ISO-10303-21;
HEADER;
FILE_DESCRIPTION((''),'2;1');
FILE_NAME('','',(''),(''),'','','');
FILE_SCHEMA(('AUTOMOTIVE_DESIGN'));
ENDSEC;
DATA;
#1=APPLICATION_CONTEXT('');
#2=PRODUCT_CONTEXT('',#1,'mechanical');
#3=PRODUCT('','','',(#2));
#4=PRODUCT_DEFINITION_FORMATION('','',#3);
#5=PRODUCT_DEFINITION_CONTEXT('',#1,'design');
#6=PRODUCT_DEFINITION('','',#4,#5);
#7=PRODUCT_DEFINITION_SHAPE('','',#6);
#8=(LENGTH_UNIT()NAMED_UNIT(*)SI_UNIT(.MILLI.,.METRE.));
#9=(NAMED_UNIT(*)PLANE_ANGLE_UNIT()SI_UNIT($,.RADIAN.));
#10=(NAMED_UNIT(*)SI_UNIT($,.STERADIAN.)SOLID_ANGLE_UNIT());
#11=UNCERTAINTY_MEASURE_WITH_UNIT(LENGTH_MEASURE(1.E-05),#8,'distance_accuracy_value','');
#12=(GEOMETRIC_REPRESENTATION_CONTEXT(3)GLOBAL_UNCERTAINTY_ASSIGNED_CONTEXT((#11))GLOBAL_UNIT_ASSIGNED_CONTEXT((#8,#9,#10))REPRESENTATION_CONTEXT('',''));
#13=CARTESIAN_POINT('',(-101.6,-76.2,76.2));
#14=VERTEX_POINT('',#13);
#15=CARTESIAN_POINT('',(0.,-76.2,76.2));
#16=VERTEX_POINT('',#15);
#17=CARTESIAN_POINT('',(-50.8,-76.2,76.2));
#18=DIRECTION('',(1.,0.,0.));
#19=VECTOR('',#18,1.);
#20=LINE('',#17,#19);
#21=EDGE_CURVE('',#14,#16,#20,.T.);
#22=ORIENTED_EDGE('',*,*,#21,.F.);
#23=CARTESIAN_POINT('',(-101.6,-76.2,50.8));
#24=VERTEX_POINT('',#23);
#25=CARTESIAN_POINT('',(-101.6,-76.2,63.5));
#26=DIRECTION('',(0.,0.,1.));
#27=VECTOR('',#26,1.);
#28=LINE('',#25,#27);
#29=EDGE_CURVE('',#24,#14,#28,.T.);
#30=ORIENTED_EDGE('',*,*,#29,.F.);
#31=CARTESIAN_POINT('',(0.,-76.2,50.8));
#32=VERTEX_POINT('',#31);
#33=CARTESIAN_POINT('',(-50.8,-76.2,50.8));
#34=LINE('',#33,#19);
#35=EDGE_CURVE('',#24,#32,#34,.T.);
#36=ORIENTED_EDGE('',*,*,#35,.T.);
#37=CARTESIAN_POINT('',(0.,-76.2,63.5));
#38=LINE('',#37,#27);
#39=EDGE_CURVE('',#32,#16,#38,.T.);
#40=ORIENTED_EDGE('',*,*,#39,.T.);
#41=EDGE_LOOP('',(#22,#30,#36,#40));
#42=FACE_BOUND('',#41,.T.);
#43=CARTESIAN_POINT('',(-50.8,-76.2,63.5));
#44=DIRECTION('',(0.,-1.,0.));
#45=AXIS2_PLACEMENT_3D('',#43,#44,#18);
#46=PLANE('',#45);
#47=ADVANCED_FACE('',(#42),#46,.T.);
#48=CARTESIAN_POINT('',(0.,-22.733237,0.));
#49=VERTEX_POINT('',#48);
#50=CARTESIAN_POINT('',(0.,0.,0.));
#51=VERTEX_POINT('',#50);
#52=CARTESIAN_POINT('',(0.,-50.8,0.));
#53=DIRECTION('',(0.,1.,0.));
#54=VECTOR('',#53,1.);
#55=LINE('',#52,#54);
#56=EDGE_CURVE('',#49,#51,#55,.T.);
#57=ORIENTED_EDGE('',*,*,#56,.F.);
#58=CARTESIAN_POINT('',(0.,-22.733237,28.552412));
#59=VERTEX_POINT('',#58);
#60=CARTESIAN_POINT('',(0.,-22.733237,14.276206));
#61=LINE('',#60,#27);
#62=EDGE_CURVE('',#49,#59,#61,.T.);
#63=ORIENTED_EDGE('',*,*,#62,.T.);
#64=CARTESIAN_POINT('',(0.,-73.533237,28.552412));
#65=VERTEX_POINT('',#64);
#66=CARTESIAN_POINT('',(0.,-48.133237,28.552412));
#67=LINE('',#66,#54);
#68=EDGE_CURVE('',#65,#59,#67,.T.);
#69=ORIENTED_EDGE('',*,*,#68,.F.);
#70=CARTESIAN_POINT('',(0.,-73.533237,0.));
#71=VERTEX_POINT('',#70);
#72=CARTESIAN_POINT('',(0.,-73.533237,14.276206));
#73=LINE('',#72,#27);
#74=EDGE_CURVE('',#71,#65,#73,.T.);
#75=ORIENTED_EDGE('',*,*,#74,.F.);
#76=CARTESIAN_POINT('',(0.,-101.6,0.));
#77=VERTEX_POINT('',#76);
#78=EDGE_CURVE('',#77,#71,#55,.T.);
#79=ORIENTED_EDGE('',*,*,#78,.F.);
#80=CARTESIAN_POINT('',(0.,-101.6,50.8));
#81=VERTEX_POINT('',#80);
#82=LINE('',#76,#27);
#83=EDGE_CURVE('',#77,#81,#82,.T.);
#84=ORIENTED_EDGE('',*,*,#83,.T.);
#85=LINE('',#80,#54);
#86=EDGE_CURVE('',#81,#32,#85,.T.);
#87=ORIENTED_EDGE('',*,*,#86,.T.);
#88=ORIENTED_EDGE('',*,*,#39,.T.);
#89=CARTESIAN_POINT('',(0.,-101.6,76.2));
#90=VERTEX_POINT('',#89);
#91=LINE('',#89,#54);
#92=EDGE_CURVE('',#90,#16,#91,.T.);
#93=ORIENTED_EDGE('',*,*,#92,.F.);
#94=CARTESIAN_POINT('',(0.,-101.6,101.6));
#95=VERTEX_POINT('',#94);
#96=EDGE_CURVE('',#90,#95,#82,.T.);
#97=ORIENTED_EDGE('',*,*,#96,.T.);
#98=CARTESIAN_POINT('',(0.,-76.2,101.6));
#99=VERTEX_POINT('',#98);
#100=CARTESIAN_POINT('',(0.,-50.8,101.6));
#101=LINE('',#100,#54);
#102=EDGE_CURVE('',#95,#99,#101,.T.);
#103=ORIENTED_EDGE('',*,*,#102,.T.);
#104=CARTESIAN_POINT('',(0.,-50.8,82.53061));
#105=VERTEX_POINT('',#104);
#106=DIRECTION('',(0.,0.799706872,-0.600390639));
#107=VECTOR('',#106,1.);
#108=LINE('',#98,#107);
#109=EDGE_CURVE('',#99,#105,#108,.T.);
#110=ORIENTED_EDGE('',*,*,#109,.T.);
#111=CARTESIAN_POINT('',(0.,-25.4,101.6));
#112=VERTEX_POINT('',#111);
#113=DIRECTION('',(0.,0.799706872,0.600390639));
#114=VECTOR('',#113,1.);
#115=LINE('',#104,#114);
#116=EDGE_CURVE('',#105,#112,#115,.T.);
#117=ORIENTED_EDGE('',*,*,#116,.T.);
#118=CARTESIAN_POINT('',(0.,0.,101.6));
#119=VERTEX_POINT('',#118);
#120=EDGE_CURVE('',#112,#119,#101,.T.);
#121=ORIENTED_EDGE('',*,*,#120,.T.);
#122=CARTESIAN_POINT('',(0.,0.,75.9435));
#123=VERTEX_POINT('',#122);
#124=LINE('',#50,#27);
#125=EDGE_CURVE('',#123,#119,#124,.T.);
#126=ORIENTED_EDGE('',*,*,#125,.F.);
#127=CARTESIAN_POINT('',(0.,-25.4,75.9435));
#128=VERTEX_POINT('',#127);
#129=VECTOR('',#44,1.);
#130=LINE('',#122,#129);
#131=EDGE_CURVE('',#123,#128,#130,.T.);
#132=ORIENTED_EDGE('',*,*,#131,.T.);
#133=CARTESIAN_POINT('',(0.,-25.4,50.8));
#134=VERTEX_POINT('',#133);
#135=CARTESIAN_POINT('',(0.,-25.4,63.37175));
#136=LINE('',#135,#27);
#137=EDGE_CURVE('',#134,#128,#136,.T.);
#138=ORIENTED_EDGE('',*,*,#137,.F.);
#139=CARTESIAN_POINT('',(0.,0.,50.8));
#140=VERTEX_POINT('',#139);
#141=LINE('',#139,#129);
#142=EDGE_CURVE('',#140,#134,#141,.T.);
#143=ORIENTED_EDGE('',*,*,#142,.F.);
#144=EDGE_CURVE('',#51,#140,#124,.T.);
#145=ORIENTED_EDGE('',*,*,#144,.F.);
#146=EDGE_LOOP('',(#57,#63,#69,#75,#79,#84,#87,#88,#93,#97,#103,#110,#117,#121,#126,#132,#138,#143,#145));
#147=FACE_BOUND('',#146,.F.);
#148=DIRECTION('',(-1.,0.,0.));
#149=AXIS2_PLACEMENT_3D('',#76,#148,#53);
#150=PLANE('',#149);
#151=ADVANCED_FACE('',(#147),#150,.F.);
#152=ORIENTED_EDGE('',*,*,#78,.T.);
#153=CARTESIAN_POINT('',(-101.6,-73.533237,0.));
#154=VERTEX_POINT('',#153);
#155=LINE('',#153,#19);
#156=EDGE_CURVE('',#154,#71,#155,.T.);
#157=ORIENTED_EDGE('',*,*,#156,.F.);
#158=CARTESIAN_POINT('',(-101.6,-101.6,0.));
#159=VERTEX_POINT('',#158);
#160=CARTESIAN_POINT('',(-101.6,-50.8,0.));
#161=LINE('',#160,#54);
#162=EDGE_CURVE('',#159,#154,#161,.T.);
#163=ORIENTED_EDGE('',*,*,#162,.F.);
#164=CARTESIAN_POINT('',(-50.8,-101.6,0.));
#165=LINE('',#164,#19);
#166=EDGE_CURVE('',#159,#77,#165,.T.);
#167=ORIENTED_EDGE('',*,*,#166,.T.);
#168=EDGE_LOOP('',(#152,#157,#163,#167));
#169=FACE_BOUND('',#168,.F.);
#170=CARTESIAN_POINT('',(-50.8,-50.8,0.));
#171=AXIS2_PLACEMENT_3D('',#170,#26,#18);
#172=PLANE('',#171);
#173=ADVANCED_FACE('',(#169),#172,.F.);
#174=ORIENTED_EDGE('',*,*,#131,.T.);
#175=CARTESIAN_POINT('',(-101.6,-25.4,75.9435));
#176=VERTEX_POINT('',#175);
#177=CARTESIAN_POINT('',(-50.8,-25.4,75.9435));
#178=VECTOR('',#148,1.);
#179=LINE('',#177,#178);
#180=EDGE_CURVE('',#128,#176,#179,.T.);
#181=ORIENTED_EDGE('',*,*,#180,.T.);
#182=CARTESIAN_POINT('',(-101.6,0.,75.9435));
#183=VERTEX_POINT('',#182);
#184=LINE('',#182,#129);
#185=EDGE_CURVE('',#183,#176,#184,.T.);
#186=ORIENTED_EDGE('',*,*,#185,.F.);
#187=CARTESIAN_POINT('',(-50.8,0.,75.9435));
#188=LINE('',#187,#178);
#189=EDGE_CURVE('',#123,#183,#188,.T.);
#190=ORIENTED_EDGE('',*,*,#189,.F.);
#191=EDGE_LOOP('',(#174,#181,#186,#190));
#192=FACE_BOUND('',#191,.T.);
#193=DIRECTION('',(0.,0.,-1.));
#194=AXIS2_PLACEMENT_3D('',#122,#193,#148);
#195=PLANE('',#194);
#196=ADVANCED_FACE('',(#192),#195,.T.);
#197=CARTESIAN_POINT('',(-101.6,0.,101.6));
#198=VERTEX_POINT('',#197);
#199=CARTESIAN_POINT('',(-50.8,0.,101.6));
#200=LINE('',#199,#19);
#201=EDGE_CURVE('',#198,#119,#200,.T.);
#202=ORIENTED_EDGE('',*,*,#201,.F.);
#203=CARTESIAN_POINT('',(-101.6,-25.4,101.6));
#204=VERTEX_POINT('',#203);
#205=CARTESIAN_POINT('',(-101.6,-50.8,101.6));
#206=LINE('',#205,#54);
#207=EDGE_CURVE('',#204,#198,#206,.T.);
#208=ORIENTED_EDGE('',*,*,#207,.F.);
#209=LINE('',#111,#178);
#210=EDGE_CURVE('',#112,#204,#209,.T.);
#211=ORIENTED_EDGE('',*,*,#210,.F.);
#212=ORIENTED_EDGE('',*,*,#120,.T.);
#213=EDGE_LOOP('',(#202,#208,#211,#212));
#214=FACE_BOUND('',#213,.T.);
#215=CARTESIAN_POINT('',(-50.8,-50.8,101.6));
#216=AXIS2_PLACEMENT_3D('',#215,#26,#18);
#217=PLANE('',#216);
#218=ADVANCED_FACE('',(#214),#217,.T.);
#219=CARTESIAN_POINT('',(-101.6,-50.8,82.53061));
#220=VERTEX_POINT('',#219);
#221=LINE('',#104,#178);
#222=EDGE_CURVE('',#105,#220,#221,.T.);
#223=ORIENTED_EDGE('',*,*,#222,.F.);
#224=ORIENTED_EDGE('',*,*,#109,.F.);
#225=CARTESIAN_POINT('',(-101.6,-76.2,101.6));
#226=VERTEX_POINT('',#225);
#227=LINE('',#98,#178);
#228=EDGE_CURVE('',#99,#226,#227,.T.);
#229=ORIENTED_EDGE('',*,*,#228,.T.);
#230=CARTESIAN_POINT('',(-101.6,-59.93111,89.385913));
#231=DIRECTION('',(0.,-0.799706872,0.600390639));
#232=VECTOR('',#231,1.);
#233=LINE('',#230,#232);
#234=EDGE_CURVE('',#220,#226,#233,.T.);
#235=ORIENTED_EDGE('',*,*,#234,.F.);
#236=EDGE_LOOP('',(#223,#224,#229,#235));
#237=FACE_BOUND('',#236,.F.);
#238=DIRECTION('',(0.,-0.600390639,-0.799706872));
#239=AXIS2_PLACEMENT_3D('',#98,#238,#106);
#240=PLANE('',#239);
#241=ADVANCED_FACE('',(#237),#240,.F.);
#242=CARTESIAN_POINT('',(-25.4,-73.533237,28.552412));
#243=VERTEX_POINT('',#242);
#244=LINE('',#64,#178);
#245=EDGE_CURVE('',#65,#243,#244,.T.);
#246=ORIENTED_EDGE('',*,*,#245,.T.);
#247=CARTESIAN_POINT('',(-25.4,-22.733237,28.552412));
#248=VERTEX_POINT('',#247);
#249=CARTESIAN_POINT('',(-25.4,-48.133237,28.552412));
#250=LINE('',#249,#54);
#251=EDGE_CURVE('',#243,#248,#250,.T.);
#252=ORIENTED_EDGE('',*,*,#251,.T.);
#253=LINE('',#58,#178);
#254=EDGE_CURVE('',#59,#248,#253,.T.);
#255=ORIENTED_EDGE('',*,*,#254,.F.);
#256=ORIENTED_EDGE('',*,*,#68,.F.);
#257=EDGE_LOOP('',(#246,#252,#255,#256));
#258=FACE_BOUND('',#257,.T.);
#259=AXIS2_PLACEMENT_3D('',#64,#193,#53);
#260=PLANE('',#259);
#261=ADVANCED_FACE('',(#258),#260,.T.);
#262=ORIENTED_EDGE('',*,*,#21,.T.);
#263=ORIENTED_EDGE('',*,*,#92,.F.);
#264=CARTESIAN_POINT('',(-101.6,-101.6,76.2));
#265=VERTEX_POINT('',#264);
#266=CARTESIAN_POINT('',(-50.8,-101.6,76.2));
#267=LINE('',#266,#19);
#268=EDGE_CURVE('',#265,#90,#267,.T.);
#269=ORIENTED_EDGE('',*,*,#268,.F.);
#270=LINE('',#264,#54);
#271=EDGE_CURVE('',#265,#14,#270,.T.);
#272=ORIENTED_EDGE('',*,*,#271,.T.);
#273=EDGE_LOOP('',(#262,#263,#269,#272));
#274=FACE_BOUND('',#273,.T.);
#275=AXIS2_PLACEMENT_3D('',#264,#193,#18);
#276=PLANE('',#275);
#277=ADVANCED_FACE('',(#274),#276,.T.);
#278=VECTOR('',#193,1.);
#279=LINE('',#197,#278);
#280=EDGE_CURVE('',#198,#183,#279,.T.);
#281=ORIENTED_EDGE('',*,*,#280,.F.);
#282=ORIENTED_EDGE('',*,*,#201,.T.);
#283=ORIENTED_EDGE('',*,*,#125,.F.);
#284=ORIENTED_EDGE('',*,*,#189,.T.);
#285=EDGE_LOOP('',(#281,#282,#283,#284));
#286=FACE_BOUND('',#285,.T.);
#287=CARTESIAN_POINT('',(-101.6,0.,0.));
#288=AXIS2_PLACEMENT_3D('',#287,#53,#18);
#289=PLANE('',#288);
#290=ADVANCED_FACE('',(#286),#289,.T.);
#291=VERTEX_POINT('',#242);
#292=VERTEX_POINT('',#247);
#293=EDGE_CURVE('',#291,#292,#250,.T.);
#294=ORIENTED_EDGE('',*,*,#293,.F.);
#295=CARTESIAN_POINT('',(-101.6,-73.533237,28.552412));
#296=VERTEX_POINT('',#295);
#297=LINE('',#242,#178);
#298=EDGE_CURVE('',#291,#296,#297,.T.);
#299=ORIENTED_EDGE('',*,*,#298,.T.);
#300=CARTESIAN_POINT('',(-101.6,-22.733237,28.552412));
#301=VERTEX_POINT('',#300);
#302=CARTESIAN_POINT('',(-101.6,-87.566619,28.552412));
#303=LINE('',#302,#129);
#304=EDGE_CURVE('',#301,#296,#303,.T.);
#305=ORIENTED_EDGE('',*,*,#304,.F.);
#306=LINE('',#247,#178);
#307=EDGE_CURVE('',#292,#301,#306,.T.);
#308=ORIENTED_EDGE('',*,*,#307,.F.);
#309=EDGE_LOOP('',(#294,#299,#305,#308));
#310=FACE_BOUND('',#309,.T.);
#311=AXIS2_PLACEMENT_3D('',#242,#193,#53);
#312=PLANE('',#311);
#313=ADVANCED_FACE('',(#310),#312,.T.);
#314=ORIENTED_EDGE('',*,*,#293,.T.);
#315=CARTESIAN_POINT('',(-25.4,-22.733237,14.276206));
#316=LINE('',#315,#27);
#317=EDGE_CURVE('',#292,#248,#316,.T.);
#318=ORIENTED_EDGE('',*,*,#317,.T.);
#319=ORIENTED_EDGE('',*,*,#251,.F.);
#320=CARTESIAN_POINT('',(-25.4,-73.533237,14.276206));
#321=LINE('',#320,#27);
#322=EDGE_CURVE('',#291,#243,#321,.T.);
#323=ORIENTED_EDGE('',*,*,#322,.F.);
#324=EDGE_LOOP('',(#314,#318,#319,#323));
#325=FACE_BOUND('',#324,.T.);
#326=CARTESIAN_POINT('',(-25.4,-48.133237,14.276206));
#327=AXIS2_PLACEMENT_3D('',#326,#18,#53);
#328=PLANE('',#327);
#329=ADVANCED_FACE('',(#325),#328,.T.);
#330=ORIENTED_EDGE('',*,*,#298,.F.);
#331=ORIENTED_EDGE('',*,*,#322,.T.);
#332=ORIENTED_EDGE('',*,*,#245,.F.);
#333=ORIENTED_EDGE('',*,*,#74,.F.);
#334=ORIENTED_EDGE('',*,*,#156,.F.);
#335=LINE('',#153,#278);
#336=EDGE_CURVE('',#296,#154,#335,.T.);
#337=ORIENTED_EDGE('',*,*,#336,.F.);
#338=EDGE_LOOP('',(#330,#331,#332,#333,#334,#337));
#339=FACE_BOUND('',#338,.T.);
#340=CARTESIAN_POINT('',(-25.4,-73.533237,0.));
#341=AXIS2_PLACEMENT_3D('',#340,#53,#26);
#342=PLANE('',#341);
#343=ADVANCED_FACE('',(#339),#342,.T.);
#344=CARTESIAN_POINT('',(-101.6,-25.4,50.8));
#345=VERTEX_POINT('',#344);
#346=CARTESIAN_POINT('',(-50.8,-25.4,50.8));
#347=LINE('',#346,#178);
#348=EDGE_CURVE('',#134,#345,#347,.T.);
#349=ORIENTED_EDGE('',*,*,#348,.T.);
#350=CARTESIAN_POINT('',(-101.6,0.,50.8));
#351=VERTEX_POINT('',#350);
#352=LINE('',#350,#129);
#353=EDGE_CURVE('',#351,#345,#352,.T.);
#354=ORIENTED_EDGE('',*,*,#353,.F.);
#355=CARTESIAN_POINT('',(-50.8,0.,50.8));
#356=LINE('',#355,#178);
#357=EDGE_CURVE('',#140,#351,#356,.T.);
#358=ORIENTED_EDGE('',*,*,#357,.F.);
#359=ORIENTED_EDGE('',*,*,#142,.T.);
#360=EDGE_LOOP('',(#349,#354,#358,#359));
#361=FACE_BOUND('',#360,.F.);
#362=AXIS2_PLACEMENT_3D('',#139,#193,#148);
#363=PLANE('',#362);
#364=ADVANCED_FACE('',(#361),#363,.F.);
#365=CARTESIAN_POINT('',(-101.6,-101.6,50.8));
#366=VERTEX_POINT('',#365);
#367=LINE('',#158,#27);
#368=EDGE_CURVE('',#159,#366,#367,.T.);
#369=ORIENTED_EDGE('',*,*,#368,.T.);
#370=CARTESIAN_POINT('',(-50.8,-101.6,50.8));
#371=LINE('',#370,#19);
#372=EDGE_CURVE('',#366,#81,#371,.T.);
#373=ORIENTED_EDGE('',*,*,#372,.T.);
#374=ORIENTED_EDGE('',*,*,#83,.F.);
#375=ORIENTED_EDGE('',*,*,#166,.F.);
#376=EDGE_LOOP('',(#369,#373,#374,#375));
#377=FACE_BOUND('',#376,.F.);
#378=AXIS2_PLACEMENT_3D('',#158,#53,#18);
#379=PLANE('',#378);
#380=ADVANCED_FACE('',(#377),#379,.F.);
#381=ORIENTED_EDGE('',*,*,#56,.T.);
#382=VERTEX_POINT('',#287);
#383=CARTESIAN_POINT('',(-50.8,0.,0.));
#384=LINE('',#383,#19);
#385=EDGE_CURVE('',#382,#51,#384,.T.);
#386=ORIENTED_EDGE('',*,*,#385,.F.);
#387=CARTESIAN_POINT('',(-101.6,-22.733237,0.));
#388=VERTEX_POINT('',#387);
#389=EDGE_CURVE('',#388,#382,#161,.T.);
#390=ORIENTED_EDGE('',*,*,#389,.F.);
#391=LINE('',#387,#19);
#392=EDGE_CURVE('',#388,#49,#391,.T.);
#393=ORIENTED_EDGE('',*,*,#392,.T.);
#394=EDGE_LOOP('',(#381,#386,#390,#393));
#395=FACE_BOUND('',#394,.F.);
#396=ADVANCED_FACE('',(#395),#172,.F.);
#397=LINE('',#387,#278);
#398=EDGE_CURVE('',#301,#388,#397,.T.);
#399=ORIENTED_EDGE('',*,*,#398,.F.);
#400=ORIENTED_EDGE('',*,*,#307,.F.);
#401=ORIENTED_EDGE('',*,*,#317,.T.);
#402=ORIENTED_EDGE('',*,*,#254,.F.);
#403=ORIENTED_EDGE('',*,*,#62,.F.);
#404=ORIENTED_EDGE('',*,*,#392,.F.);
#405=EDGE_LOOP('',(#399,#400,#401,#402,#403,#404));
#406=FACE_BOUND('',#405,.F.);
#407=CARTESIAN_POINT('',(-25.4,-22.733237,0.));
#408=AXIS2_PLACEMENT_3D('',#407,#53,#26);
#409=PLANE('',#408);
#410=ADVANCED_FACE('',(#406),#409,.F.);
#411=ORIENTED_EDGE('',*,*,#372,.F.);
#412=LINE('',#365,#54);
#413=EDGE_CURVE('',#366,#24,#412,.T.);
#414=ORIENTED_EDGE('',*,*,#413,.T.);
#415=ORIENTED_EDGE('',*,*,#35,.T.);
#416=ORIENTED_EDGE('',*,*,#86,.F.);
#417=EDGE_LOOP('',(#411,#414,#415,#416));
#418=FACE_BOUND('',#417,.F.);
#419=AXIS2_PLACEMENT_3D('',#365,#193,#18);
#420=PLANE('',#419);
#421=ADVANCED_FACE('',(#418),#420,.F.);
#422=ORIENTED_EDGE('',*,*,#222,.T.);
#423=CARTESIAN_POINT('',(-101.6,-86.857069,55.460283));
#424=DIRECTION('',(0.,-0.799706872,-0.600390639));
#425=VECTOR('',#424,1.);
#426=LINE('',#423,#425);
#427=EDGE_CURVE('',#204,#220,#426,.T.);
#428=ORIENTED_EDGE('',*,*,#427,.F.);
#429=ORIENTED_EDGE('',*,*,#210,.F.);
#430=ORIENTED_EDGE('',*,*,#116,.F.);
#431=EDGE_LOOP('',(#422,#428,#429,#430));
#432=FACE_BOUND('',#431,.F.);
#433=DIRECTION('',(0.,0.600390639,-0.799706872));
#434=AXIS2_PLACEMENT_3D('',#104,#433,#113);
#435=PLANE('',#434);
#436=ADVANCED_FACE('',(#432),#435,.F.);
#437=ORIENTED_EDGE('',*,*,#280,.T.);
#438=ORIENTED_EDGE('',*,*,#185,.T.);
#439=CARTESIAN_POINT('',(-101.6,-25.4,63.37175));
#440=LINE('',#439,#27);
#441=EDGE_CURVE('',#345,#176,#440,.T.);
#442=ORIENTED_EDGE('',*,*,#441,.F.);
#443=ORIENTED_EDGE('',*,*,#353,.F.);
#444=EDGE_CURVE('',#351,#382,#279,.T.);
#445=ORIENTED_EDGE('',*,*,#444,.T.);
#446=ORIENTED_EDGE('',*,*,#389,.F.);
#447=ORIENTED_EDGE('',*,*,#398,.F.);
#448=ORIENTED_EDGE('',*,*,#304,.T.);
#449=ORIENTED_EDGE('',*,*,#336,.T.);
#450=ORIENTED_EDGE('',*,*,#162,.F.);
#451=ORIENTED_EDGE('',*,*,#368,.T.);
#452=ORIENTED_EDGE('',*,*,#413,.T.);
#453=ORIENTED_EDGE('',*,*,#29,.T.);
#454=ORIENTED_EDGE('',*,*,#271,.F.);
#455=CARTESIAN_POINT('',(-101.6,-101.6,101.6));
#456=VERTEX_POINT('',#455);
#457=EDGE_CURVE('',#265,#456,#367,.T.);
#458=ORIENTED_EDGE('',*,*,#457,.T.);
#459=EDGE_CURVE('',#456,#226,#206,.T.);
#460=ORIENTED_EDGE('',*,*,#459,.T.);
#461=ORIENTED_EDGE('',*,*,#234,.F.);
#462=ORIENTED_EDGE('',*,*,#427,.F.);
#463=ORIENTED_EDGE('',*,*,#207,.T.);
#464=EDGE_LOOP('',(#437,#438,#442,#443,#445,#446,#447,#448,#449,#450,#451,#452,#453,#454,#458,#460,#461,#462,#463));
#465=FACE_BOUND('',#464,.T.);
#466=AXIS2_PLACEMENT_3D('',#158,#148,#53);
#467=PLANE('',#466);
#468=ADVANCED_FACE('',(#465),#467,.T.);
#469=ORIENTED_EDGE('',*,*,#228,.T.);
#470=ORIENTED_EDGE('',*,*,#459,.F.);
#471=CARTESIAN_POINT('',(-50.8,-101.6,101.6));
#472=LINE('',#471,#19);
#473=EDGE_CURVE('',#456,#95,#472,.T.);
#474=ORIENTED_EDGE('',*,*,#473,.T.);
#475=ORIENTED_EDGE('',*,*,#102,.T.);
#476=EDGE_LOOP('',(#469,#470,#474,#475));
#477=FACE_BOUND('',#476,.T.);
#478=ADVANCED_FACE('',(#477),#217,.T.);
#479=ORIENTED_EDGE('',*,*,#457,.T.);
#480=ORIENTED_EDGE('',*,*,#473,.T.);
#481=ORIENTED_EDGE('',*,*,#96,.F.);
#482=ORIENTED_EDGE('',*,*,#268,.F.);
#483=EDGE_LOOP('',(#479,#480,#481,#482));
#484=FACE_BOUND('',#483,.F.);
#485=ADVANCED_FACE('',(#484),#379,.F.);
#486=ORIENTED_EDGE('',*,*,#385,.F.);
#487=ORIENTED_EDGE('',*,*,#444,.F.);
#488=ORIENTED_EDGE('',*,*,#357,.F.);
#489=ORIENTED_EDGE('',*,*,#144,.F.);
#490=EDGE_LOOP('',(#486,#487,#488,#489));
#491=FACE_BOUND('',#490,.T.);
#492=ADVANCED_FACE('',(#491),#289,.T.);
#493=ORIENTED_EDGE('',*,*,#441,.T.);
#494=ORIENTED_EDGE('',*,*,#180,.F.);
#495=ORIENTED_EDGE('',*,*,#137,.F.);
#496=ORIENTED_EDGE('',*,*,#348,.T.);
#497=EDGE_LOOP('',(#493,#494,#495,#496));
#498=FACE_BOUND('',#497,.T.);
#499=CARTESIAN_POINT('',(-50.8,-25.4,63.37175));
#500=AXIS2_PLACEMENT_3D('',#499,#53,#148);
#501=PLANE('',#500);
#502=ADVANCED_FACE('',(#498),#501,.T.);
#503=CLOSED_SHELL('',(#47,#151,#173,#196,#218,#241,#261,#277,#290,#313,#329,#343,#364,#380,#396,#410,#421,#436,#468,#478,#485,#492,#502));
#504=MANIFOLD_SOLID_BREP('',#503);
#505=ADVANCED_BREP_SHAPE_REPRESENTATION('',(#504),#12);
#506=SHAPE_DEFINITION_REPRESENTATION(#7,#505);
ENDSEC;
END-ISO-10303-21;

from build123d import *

# Parameters (mm, degrees)
F0_W      = 101.6
F0_H      = 101.6
F1_DEPTH  = 101.6
F2_W      = 101.6
F2_H      = 25.4
F3_DEPTH  = 25.4
F4_W      = 50.8
F4_H      = 28.552413
F5_DEPTH  = 25.4
F5_FACE_W = 50.8
F5_FACE_H = 28.552412
F6_DEPTH  = 180.594
F7_W      = 25.4
F7_H      = 24.58322
F8_DEPTH  = 25.4
F9_W      = 101.6
F9_H      = 25.1435
F10_DEPTH = 25.4
F12_DEPTH = 170.688


with BuildPart() as f1:
    # F0 (on Top) → F1 (new body)
    with BuildSketch(Plane.XY):
        with Locations((-50.8, -50.8)):
            Rectangle(F0_W, F0_H)
    extrude(amount=F1_DEPTH)

    # F2 (on face) → F3 (cut)
    with BuildSketch(Plane.XZ.offset(101.6)):
        with Locations((-50.8, 63.5)):
            Rectangle(F2_W, F2_H)
    extrude(amount=-F3_DEPTH, mode=Mode.SUBTRACT)

    # F4 (on face) → F5 (cut)
    with BuildSketch(Plane.YZ):
        with Locations((-48.133237, 14.276206)):
            Rectangle(F4_W, F4_H)
    extrude(amount=-F5_DEPTH, mode=Mode.SUBTRACT)

    # F5_face (on face) → F6 (cut)
    with BuildSketch(Plane(origin=(-25.4, -48.133237, 14.276206), x_dir=(0, 1, 0), z_dir=(1, 0, 0))):
        Rectangle(F5_FACE_W, F5_FACE_H)
    extrude(amount=-F6_DEPTH, mode=Mode.SUBTRACT)

    # F7 (on face) → F8 (cut)
    with BuildSketch(Plane(origin=(-101.6, 0, 0), x_dir=(0, -1, 0), z_dir=(-1, 0, 0))):
        with Locations((12.7, 64.182259)):
            Rectangle(F7_W, F7_H)
    extrude(amount=F8_DEPTH, mode=Mode.SUBTRACT)

    # F9 (on face) → F10 (cut)
    with BuildSketch(Plane(origin=(0, 0, 0), x_dir=(-1, 0, 0), z_dir=(0, 1, 0))):
        with Locations((50.8, 63.37175)):
            Rectangle(F9_W, F9_H)
    extrude(amount=-F10_DEPTH, mode=Mode.SUBTRACT)

    # F11 (on face) → F12 (cut)
    with BuildSketch(Plane.YZ):
        Polygon((-50.8, 101.6), (-76.2, 101.6), (-50.8, 82.53061), (-25.4, 101.6), align=None)
    extrude(amount=-F12_DEPTH, mode=Mode.SUBTRACT)


solid = f1.part
